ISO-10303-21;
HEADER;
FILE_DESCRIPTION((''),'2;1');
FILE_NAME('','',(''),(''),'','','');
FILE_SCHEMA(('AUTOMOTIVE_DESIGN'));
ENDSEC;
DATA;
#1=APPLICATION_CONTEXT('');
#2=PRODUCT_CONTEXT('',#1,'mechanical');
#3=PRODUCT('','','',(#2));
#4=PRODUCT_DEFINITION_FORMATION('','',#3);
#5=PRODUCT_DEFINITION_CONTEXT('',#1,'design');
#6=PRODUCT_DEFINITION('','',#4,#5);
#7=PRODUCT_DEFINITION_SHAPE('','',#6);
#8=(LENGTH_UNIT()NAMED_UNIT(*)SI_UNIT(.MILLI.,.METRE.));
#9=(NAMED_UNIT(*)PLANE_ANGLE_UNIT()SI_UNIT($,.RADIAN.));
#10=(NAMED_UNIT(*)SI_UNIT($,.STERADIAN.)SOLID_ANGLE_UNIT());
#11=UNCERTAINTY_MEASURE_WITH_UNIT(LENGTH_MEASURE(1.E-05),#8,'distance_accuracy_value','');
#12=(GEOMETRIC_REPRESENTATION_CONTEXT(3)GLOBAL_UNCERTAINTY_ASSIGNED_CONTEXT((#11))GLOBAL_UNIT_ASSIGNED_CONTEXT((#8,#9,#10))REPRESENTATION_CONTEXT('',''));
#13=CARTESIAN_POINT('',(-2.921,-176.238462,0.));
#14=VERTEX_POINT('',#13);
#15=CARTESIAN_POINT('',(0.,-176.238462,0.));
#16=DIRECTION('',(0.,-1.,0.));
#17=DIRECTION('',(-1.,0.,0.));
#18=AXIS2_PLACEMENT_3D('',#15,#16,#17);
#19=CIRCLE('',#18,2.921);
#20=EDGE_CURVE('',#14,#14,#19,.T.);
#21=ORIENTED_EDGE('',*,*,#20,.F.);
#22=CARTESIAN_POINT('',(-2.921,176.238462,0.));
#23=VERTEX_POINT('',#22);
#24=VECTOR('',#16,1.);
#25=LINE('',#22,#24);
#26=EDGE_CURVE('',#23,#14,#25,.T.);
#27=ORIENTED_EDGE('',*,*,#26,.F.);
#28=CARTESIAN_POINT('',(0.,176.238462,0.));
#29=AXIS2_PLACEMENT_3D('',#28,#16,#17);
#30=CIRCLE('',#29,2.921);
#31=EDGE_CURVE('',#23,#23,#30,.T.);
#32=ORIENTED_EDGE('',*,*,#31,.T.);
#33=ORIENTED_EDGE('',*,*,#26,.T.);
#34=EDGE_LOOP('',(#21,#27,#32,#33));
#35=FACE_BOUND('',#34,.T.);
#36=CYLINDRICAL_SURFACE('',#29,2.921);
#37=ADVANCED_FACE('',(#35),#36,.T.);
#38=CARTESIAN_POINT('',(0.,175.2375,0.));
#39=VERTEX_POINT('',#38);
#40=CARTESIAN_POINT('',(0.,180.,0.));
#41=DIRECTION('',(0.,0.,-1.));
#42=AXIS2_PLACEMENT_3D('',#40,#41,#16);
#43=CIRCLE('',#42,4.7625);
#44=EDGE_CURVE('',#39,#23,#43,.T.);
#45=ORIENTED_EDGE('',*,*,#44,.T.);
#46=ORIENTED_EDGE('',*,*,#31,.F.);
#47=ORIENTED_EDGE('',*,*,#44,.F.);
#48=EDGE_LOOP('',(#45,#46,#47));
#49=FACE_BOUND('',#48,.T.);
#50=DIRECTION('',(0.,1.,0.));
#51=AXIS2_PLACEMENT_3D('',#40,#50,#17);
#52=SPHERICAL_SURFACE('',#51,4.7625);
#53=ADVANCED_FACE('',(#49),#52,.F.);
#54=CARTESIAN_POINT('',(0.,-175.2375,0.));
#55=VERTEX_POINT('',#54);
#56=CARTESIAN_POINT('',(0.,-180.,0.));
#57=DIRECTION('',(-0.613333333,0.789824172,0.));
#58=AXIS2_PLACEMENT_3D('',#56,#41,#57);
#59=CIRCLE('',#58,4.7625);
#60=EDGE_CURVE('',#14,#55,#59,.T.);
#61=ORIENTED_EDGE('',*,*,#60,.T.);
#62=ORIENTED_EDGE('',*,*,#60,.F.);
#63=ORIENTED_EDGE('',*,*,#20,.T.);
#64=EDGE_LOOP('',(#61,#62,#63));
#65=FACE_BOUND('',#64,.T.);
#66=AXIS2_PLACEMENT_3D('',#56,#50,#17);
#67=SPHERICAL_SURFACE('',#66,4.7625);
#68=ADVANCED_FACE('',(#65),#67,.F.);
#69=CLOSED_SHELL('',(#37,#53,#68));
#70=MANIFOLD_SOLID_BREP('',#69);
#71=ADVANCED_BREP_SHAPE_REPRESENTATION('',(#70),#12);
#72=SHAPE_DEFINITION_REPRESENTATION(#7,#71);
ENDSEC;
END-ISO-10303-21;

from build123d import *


with BuildPart() as f1:
    # F0 (on Top) → F1 (revolve)
    with BuildSketch(Plane.XY):
        with BuildLine():
            ThreePointArc((0, 175.2375), (-1.543872298, 175.4946848526), (-2.921, 176.2384623822))
            Line((-2.921, 176.2384623822), (-2.921, -176.2384623822))
            ThreePointArc((-2.921, -176.2384623822), (-1.543872298, -175.4946848526), (0, -175.2375))
            Line((0, -175.2375), (0, 175.2375))
        make_face()
    revolve(axis=Axis((0, 0, 0), (0, -1, 0)))


solid = f1.part
